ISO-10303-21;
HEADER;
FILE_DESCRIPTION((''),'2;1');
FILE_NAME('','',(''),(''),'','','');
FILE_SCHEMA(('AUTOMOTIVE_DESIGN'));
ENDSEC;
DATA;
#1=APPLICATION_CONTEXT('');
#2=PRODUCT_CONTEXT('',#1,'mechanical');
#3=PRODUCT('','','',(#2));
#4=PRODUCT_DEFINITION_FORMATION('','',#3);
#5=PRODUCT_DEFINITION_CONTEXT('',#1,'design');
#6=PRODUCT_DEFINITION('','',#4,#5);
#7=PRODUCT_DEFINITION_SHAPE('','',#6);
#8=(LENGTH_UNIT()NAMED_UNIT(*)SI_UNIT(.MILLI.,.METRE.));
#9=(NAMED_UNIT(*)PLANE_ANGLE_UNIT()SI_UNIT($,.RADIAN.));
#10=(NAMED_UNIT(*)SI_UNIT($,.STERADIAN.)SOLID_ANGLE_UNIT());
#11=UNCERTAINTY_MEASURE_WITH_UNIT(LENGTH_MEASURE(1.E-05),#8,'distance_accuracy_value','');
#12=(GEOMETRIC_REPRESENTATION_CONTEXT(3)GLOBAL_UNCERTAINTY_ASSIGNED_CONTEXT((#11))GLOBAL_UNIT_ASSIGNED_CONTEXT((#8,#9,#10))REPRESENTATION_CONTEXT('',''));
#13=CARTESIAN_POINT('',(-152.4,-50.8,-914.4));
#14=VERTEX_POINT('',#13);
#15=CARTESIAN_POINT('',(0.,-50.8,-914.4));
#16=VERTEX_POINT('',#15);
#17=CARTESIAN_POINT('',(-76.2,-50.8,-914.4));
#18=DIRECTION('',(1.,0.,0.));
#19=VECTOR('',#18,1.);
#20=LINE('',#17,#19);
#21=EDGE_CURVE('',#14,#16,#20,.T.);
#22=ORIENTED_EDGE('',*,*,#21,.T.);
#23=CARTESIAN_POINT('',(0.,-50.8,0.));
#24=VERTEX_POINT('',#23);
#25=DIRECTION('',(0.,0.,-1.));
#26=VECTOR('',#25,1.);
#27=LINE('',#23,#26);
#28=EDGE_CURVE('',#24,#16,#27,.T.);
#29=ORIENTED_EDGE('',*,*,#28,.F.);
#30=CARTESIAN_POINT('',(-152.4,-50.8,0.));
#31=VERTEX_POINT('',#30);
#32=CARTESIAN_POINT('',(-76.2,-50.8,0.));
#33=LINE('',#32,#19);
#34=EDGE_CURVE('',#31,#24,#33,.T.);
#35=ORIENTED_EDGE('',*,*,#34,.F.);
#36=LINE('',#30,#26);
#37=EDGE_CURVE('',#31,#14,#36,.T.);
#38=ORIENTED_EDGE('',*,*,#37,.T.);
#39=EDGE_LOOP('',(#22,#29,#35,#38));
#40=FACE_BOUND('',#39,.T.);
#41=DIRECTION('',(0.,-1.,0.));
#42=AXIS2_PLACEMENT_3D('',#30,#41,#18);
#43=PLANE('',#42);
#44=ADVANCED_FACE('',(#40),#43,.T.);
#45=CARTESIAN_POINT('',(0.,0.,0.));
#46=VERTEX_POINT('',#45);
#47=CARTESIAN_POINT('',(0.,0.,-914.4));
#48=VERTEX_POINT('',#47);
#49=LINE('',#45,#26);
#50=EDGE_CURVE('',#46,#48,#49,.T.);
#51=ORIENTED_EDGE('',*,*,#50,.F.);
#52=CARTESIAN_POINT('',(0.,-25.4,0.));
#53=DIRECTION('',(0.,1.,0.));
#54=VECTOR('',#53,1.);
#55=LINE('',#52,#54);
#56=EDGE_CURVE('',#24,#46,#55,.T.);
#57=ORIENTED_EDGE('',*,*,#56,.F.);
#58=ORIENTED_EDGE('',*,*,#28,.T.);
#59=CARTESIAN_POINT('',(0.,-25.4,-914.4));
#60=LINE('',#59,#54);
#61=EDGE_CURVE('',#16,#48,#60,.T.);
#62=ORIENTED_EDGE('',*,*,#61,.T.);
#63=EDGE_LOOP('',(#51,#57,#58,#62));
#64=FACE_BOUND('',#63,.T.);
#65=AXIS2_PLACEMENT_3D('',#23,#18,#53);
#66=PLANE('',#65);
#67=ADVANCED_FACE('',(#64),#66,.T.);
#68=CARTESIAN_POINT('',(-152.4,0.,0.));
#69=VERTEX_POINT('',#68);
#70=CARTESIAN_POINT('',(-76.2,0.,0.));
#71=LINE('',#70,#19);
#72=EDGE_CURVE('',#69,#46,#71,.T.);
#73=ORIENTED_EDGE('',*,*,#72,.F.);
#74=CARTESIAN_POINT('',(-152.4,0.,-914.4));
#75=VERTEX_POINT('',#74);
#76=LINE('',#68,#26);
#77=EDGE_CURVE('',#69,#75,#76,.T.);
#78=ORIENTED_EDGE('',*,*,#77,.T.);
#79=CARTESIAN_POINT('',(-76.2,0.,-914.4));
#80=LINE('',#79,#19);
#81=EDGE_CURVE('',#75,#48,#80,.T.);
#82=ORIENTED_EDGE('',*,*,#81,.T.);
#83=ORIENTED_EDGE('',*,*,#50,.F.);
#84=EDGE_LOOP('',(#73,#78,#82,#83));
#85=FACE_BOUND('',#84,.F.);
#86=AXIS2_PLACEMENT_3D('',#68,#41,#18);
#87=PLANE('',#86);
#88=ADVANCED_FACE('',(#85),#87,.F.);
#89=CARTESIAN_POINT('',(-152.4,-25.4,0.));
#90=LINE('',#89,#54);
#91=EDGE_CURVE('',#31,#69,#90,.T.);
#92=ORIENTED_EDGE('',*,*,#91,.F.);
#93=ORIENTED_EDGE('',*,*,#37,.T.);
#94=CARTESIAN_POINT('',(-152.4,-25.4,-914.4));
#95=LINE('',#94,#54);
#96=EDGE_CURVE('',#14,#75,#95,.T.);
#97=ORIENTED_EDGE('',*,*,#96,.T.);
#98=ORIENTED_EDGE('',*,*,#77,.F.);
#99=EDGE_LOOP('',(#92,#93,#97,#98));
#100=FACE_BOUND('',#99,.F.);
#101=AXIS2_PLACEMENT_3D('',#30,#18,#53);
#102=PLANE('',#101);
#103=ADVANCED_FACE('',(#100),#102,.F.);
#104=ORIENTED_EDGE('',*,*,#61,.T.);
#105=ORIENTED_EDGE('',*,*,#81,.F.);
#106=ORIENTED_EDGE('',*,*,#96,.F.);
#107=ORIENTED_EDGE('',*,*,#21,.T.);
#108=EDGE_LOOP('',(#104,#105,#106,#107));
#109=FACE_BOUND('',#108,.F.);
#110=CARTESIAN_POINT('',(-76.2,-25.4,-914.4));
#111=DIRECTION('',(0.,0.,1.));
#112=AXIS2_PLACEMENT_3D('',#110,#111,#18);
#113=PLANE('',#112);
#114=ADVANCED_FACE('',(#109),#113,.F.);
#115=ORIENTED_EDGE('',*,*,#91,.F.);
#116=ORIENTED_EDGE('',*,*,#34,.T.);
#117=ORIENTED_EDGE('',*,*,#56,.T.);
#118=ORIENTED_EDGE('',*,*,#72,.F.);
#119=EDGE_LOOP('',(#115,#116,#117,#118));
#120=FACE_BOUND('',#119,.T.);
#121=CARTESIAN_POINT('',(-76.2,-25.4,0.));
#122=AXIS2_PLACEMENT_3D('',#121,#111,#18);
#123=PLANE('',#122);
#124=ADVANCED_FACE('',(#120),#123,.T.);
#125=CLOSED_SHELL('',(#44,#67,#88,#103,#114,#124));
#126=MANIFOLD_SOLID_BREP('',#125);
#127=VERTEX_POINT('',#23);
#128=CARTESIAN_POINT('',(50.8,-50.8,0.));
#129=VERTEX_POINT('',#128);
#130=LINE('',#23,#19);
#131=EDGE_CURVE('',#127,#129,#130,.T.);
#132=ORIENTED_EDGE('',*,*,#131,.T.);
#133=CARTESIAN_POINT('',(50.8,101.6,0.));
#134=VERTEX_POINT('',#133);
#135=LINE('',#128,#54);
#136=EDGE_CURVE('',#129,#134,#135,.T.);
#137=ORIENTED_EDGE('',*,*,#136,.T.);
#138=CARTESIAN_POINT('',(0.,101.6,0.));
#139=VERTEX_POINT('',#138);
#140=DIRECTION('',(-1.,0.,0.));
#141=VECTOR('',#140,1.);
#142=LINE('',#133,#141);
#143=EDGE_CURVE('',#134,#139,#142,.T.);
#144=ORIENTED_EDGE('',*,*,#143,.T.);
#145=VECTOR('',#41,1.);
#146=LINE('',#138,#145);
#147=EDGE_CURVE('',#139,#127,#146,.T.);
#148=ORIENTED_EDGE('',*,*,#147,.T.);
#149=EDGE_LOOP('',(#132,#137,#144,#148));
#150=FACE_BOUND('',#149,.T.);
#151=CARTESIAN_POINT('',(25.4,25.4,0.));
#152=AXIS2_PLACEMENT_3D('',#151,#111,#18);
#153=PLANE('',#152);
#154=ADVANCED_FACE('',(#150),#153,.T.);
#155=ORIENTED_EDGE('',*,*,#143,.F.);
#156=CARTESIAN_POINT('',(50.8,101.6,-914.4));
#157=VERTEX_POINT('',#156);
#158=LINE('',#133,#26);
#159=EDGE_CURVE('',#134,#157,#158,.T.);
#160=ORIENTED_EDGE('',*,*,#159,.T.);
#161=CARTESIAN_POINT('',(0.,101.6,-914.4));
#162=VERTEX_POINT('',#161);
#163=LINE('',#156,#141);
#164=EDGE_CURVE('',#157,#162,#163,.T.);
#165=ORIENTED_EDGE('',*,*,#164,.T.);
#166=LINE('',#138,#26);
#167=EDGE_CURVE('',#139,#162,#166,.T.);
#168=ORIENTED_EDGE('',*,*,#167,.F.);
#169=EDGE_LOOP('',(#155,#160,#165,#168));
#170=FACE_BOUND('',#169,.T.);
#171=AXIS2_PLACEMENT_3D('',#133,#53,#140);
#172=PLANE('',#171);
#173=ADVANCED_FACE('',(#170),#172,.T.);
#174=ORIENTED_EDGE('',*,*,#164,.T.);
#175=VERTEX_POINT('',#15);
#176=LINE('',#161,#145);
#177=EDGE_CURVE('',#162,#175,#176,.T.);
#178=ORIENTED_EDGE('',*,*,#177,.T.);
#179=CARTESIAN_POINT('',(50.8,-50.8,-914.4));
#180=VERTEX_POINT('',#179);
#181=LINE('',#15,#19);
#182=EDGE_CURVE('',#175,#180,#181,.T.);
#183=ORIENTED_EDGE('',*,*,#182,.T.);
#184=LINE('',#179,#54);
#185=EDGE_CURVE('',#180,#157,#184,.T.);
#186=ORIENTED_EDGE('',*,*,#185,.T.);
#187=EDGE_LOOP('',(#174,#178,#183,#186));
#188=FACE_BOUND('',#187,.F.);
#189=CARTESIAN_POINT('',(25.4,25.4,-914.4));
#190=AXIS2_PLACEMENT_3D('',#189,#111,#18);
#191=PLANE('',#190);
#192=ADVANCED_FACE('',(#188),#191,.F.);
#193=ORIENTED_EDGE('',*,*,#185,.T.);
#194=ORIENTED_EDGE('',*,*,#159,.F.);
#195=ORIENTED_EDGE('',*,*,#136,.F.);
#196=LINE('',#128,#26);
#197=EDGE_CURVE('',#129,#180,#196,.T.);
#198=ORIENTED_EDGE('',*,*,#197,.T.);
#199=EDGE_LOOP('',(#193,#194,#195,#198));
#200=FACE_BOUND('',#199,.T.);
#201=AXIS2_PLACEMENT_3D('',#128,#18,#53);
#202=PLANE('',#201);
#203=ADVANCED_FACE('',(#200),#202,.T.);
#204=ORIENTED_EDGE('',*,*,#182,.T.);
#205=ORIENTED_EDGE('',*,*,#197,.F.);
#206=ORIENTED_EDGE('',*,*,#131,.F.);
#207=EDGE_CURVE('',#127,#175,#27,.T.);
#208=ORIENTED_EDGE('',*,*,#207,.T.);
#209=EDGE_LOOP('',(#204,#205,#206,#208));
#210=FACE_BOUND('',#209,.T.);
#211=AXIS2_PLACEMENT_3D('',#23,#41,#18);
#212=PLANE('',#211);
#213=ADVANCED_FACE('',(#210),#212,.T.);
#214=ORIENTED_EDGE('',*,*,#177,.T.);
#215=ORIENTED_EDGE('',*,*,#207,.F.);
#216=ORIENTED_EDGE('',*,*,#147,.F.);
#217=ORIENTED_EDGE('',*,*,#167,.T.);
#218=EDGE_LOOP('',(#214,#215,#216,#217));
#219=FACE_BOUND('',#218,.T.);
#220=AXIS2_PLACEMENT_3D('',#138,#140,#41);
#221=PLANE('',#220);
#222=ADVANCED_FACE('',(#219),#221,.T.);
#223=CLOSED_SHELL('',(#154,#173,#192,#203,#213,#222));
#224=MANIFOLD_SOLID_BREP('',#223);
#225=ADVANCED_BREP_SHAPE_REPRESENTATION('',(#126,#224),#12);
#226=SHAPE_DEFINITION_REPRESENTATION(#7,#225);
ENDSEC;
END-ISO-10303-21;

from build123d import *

# Parameters (mm, degrees)
F0_W     = 152.4
F0_H     = 50.8
F1_DEPTH = 914.4
F2_DEPTH = 914.4


with BuildPart() as f1:
    # F0 (on Top) → F1 (new body)
    with BuildSketch(Plane.XY):
        with Locations((-76.2, -25.4)):
            Rectangle(F0_W, F0_H)
    extrude(amount=-F1_DEPTH)


with BuildPart() as f2:
    # F0 (on Top) → F2 (new body)
    with BuildSketch(Plane.XY):
        Polygon((0, 101.6), (0, 0), (0, -50.8), (50.8, -50.8), (50.8, 101.6), align=None)
    extrude(amount=-F2_DEPTH)


solid = Compound([f1.part, f2.part])
